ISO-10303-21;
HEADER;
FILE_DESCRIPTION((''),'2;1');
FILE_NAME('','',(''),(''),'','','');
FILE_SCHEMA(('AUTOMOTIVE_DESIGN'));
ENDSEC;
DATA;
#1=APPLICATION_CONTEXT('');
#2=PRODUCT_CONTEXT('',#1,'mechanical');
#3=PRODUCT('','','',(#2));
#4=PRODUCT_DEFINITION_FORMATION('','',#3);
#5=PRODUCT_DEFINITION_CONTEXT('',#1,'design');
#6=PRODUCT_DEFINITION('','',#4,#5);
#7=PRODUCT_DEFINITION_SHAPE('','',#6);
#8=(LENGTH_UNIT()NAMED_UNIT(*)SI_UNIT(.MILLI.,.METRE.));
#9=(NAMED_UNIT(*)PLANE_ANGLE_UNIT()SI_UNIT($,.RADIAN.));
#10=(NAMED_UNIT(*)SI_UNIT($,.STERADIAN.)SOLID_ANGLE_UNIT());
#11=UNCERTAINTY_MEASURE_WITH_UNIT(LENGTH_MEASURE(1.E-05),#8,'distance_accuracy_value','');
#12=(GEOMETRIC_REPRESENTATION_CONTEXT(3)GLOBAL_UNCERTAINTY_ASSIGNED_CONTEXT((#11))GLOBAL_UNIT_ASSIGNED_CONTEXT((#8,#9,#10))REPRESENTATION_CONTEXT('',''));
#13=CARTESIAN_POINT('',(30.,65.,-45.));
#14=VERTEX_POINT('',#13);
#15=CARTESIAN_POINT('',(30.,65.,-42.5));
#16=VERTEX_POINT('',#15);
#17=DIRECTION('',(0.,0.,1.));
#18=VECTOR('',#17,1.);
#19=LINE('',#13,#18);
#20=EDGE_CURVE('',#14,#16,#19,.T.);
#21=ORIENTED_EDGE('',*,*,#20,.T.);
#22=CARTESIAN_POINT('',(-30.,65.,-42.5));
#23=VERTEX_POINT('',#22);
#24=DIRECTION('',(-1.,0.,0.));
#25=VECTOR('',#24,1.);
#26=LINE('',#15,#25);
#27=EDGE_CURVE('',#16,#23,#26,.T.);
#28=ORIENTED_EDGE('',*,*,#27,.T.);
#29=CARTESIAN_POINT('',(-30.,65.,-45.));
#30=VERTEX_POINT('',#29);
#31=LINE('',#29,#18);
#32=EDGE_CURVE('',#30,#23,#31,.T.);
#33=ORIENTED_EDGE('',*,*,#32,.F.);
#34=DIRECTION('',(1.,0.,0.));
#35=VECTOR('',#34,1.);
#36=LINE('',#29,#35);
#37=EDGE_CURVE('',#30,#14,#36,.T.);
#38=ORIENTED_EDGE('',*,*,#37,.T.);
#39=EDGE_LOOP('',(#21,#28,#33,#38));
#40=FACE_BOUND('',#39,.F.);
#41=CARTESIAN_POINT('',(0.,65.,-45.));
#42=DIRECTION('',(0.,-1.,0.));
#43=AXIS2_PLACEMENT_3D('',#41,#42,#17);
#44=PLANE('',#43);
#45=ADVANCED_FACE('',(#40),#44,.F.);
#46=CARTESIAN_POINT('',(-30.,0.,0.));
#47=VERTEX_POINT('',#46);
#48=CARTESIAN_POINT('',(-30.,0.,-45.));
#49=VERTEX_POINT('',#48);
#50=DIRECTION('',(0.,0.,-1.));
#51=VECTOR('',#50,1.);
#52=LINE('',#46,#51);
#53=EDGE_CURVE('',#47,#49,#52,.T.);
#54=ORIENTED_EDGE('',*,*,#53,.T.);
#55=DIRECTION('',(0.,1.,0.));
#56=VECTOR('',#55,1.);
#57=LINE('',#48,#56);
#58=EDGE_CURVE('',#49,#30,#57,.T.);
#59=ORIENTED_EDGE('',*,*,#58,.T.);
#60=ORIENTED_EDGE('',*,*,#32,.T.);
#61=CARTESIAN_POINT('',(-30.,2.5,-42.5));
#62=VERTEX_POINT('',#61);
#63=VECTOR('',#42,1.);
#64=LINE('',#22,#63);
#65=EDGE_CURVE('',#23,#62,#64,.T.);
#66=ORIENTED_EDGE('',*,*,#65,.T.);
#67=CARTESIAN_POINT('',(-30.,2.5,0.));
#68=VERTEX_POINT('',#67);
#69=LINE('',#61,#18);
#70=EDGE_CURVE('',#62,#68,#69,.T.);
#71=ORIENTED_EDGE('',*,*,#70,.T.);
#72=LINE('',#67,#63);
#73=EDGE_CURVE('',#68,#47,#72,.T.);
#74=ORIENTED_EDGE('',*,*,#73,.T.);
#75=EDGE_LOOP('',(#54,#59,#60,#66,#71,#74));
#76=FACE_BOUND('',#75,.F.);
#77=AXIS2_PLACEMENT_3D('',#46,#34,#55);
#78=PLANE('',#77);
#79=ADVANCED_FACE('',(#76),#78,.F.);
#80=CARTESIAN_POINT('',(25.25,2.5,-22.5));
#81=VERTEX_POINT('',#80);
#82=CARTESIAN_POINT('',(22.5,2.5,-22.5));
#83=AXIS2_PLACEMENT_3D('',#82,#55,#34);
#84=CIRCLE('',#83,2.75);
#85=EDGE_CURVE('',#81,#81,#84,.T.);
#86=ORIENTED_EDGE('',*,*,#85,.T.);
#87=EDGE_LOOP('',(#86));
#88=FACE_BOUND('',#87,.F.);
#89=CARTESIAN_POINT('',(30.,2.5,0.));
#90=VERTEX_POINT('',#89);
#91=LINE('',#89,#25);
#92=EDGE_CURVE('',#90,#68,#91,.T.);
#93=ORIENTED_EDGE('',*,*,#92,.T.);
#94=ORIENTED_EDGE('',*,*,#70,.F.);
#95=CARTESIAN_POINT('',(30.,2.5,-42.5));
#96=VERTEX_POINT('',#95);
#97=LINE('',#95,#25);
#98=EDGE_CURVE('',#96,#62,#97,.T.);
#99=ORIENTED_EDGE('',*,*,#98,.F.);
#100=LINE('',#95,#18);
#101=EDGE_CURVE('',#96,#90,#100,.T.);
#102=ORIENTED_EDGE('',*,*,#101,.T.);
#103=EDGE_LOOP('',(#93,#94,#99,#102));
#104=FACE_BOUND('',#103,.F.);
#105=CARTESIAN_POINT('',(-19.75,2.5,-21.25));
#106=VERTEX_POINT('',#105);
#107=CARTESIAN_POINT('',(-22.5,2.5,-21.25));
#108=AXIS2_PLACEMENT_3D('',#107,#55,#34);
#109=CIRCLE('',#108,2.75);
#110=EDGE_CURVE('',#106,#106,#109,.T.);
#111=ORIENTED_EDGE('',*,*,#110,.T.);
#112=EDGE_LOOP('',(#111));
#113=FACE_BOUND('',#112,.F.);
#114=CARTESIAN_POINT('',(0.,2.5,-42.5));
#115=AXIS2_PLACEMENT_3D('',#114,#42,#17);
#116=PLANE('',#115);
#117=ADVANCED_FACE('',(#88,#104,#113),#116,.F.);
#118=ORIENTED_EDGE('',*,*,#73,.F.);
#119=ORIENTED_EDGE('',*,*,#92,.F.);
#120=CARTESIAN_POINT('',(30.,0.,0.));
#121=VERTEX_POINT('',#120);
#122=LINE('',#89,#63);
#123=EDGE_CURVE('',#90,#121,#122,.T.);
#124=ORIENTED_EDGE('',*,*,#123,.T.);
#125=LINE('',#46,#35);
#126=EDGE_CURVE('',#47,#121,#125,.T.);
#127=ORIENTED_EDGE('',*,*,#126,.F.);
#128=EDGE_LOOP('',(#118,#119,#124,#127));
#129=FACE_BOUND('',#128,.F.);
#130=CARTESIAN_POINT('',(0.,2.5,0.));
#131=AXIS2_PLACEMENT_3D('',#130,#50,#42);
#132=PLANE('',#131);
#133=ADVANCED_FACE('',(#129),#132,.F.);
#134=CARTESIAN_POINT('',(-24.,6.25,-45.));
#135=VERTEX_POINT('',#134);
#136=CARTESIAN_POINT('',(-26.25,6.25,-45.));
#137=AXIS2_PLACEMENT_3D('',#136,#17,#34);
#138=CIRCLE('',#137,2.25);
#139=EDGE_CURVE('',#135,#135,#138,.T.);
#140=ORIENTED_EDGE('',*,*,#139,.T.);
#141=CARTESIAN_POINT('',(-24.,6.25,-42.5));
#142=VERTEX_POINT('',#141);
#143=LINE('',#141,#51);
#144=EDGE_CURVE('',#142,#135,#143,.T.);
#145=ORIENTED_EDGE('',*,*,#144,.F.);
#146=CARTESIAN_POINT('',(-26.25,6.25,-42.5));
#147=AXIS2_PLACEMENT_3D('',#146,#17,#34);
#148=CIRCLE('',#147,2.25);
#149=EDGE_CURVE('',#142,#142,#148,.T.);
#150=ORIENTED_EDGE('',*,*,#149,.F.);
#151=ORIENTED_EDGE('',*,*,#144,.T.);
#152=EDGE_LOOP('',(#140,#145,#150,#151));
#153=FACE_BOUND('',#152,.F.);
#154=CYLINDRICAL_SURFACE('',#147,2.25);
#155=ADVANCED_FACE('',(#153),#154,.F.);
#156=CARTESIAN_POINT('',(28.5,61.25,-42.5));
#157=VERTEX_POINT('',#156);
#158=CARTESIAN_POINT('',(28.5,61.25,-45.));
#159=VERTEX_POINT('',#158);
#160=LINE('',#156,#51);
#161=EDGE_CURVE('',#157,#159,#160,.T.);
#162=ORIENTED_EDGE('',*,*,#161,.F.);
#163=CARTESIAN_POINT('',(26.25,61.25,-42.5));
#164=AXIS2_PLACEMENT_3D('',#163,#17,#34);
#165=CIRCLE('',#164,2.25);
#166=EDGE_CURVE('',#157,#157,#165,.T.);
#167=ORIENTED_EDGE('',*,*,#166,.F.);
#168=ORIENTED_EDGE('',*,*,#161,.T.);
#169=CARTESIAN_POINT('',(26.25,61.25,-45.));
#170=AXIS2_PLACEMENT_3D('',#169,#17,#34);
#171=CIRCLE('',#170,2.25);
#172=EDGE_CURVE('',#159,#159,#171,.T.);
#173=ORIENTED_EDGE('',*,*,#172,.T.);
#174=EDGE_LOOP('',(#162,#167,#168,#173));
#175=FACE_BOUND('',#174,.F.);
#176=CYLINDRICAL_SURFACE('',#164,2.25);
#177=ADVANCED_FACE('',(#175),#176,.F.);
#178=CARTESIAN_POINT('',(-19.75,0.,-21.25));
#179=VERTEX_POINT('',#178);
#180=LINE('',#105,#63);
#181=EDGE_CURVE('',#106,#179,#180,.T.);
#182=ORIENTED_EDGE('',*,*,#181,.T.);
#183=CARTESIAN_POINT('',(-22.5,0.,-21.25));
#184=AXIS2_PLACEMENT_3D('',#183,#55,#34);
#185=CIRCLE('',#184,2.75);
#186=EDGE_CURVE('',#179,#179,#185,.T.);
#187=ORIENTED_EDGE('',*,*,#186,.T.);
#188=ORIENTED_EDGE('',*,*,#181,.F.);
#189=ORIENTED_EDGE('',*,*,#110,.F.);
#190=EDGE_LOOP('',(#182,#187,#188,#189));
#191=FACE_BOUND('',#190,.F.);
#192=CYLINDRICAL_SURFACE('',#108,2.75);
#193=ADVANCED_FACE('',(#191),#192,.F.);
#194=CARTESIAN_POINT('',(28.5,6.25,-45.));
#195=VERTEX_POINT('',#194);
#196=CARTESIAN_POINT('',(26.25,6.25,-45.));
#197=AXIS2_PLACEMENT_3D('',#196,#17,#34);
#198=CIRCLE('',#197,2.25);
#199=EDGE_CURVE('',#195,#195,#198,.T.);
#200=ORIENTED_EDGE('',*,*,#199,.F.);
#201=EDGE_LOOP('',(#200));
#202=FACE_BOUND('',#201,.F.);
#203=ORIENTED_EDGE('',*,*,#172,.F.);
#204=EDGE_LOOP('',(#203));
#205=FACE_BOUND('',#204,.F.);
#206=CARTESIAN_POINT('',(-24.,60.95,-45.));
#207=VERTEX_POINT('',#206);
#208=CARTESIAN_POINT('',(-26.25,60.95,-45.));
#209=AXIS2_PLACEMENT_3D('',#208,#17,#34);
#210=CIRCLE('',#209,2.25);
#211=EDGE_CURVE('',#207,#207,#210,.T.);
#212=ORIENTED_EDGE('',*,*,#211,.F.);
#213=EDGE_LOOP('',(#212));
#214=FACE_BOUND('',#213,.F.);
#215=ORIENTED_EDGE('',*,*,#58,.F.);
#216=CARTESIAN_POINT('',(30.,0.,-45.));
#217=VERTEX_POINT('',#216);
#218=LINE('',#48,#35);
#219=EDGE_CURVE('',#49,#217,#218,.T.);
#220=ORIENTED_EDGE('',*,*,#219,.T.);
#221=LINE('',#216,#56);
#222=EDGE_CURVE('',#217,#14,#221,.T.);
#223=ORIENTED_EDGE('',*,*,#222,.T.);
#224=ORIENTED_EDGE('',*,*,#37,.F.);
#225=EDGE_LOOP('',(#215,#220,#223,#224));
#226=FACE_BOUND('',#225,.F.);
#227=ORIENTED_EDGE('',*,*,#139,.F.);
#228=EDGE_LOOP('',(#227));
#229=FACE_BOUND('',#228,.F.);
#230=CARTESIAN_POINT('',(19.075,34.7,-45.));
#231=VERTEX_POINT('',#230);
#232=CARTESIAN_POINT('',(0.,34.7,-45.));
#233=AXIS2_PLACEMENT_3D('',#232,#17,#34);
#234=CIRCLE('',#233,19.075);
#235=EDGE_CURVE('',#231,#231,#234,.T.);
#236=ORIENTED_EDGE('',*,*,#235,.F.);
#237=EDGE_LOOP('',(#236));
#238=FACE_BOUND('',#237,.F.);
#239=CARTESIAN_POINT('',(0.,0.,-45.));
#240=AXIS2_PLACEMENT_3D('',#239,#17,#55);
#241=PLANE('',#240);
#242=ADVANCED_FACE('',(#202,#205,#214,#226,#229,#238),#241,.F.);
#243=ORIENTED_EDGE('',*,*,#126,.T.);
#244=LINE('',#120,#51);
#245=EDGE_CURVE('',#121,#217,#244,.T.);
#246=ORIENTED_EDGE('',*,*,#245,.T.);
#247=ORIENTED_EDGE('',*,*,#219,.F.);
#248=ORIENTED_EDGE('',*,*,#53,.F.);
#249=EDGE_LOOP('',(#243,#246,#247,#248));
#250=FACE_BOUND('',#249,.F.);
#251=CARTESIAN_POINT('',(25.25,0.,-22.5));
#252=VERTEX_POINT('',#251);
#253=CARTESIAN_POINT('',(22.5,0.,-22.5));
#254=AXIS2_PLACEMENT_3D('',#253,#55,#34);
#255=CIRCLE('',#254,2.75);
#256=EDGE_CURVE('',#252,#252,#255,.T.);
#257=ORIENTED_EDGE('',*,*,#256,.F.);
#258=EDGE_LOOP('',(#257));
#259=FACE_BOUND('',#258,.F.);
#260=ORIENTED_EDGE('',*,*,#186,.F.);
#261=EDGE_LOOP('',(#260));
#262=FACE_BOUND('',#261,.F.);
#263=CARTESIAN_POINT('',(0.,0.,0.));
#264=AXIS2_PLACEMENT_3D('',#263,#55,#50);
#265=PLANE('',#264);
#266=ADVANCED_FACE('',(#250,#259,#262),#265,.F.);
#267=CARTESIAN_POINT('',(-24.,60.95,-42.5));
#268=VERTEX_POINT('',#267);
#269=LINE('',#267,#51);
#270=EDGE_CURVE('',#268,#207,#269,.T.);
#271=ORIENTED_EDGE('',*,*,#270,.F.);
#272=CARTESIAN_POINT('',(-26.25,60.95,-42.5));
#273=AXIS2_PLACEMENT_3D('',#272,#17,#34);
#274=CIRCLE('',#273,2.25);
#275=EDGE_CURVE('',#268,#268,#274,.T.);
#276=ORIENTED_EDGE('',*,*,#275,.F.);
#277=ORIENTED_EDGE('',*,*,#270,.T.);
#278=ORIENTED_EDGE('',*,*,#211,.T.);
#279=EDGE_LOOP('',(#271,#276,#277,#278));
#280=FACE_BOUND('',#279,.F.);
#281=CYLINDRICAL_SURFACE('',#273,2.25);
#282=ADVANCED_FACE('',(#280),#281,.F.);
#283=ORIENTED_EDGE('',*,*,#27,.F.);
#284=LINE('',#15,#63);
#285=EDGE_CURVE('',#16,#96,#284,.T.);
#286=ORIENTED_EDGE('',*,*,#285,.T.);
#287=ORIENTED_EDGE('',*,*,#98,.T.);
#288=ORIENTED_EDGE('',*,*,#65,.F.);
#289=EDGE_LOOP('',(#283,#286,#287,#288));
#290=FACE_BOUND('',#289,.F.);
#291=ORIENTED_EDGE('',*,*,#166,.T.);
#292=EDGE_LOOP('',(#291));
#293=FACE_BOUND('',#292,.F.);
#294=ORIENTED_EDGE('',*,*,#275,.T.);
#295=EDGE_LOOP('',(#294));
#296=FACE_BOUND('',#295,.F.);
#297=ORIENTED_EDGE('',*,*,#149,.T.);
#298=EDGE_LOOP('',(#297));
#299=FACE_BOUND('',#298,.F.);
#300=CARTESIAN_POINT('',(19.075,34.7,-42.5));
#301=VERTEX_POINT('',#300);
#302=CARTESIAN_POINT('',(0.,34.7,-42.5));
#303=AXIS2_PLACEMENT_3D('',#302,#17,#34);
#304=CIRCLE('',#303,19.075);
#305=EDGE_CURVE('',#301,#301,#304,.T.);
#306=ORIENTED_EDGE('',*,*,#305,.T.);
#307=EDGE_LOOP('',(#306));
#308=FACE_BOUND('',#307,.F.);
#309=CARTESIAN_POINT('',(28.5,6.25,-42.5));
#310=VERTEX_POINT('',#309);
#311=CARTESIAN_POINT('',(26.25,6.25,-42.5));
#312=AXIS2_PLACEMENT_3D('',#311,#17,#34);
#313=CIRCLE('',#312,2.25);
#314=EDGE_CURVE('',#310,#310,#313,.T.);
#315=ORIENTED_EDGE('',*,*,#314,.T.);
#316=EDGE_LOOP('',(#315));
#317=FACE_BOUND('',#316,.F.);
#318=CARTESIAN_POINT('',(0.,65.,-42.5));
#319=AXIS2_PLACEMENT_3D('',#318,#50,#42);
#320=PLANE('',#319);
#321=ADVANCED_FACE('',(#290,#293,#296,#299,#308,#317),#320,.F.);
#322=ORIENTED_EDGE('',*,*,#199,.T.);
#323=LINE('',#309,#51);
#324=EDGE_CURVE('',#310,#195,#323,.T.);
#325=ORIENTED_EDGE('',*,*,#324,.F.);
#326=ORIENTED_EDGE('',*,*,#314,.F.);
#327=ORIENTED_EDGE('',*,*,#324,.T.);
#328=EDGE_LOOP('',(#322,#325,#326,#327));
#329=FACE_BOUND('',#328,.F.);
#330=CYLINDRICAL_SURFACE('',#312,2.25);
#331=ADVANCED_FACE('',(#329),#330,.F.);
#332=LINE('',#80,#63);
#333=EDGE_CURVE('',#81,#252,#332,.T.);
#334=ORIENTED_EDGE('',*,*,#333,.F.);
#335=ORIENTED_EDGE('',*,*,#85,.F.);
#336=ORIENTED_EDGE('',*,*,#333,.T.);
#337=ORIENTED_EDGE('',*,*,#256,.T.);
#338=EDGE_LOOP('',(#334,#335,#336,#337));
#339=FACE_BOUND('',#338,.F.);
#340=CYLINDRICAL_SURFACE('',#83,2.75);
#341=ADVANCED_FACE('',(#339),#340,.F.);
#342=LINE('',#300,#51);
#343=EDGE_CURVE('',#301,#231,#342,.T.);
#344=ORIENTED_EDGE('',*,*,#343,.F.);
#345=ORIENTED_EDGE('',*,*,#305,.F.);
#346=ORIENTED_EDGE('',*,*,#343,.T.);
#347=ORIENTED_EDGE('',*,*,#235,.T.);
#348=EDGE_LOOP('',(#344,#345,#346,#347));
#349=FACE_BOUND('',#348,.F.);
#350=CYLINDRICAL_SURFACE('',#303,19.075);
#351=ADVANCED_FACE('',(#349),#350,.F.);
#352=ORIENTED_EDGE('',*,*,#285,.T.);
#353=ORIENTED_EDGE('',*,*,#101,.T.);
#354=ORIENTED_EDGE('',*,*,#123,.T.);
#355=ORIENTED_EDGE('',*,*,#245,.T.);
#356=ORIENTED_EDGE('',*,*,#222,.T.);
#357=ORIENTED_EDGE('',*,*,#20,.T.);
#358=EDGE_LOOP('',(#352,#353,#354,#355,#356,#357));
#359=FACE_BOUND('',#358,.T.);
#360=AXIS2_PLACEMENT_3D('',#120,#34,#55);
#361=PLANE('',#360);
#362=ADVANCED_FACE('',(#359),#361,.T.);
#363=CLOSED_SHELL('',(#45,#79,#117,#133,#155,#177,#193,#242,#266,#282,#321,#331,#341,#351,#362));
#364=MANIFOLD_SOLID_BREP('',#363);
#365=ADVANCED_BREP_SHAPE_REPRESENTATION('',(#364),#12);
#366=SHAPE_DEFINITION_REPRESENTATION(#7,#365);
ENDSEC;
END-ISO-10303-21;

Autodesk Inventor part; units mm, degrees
ref_plane "YZ Plane" through (0, 0, 0) normal (1, 0, 0) x (0, 1, 0)
ref_plane "XZ Plane" through (0, 0, 0) normal (0, 1, 0) x (-1, 0, 0)
ref_plane "XY Plane" through (0, 0, 0) normal (0, 0, 1) x (1, 0, 0)
sketch "Skizze1" plane through (0, 0, 0) normal (1, 0, 0) x (0, 1, 0)
  line L0 (0, 0) -> (0, -45)
  line L1 (0, -45) -> (65, -45)
  line L2 (65, -45) -> (65, -42.5)
  line L3 (65, -42.5) -> (2.5, -42.5)
  line L4 (2.5, -42.5) -> (2.5, 0)
  line L5 (2.5, 0) -> (0, 0)
  dimension "d0" = 45
  dimension "d1" = 65
  dimension "d2" = 2.5
  dimension "d3" = 62.5
extrude "Extrusion1" add sketch "Skizze1" along normal mid plane 60
sketch "Skizze2" plane through (-30, 2.5, 0) normal (0, 1, 0) x (1, 0, 0)
  circle A0 centre (7.5, 21.25) radius 2.75
  circle A1 centre (52.5, 22.5) radius 2.75
  point P0 (30, 0)
  dimension "d6" = 5.5
  dimension "d7" = 5.5
extrude "Extrusion2" cut sketch "Skizze2" against normal blind 3
sketch "Skizze3" plane through (-30, 2.5, -42.5) normal (0, 0, 1) x (1, 0, 0)
  circle A0 centre (30, 32.2) radius 19.075
  circle A1 centre (56.25, 58.75) radius 2.25
  line L0 (0, 62.5) -> (60, 62.5) projected
  circle A2 centre (3.75, 3.75) radius 2.25
  circle A3 centre (56.25, 3.75) radius 2.25
  circle A4 centre (3.75, 58.45) radius 2.25
  point P0 (30, -2.5)
  dimension "d10" = 38.15
  dimension "d11" = 4.5
  dimension "d12" = 3.75
  dimension "d13" = 4.5
  dimension "d14" = 4.5
  dimension "d15" = 4.5
extrude "Extrusion3" cut sketch "Skizze3" against normal blind 2.5
properties part number "Motorhalterung"
